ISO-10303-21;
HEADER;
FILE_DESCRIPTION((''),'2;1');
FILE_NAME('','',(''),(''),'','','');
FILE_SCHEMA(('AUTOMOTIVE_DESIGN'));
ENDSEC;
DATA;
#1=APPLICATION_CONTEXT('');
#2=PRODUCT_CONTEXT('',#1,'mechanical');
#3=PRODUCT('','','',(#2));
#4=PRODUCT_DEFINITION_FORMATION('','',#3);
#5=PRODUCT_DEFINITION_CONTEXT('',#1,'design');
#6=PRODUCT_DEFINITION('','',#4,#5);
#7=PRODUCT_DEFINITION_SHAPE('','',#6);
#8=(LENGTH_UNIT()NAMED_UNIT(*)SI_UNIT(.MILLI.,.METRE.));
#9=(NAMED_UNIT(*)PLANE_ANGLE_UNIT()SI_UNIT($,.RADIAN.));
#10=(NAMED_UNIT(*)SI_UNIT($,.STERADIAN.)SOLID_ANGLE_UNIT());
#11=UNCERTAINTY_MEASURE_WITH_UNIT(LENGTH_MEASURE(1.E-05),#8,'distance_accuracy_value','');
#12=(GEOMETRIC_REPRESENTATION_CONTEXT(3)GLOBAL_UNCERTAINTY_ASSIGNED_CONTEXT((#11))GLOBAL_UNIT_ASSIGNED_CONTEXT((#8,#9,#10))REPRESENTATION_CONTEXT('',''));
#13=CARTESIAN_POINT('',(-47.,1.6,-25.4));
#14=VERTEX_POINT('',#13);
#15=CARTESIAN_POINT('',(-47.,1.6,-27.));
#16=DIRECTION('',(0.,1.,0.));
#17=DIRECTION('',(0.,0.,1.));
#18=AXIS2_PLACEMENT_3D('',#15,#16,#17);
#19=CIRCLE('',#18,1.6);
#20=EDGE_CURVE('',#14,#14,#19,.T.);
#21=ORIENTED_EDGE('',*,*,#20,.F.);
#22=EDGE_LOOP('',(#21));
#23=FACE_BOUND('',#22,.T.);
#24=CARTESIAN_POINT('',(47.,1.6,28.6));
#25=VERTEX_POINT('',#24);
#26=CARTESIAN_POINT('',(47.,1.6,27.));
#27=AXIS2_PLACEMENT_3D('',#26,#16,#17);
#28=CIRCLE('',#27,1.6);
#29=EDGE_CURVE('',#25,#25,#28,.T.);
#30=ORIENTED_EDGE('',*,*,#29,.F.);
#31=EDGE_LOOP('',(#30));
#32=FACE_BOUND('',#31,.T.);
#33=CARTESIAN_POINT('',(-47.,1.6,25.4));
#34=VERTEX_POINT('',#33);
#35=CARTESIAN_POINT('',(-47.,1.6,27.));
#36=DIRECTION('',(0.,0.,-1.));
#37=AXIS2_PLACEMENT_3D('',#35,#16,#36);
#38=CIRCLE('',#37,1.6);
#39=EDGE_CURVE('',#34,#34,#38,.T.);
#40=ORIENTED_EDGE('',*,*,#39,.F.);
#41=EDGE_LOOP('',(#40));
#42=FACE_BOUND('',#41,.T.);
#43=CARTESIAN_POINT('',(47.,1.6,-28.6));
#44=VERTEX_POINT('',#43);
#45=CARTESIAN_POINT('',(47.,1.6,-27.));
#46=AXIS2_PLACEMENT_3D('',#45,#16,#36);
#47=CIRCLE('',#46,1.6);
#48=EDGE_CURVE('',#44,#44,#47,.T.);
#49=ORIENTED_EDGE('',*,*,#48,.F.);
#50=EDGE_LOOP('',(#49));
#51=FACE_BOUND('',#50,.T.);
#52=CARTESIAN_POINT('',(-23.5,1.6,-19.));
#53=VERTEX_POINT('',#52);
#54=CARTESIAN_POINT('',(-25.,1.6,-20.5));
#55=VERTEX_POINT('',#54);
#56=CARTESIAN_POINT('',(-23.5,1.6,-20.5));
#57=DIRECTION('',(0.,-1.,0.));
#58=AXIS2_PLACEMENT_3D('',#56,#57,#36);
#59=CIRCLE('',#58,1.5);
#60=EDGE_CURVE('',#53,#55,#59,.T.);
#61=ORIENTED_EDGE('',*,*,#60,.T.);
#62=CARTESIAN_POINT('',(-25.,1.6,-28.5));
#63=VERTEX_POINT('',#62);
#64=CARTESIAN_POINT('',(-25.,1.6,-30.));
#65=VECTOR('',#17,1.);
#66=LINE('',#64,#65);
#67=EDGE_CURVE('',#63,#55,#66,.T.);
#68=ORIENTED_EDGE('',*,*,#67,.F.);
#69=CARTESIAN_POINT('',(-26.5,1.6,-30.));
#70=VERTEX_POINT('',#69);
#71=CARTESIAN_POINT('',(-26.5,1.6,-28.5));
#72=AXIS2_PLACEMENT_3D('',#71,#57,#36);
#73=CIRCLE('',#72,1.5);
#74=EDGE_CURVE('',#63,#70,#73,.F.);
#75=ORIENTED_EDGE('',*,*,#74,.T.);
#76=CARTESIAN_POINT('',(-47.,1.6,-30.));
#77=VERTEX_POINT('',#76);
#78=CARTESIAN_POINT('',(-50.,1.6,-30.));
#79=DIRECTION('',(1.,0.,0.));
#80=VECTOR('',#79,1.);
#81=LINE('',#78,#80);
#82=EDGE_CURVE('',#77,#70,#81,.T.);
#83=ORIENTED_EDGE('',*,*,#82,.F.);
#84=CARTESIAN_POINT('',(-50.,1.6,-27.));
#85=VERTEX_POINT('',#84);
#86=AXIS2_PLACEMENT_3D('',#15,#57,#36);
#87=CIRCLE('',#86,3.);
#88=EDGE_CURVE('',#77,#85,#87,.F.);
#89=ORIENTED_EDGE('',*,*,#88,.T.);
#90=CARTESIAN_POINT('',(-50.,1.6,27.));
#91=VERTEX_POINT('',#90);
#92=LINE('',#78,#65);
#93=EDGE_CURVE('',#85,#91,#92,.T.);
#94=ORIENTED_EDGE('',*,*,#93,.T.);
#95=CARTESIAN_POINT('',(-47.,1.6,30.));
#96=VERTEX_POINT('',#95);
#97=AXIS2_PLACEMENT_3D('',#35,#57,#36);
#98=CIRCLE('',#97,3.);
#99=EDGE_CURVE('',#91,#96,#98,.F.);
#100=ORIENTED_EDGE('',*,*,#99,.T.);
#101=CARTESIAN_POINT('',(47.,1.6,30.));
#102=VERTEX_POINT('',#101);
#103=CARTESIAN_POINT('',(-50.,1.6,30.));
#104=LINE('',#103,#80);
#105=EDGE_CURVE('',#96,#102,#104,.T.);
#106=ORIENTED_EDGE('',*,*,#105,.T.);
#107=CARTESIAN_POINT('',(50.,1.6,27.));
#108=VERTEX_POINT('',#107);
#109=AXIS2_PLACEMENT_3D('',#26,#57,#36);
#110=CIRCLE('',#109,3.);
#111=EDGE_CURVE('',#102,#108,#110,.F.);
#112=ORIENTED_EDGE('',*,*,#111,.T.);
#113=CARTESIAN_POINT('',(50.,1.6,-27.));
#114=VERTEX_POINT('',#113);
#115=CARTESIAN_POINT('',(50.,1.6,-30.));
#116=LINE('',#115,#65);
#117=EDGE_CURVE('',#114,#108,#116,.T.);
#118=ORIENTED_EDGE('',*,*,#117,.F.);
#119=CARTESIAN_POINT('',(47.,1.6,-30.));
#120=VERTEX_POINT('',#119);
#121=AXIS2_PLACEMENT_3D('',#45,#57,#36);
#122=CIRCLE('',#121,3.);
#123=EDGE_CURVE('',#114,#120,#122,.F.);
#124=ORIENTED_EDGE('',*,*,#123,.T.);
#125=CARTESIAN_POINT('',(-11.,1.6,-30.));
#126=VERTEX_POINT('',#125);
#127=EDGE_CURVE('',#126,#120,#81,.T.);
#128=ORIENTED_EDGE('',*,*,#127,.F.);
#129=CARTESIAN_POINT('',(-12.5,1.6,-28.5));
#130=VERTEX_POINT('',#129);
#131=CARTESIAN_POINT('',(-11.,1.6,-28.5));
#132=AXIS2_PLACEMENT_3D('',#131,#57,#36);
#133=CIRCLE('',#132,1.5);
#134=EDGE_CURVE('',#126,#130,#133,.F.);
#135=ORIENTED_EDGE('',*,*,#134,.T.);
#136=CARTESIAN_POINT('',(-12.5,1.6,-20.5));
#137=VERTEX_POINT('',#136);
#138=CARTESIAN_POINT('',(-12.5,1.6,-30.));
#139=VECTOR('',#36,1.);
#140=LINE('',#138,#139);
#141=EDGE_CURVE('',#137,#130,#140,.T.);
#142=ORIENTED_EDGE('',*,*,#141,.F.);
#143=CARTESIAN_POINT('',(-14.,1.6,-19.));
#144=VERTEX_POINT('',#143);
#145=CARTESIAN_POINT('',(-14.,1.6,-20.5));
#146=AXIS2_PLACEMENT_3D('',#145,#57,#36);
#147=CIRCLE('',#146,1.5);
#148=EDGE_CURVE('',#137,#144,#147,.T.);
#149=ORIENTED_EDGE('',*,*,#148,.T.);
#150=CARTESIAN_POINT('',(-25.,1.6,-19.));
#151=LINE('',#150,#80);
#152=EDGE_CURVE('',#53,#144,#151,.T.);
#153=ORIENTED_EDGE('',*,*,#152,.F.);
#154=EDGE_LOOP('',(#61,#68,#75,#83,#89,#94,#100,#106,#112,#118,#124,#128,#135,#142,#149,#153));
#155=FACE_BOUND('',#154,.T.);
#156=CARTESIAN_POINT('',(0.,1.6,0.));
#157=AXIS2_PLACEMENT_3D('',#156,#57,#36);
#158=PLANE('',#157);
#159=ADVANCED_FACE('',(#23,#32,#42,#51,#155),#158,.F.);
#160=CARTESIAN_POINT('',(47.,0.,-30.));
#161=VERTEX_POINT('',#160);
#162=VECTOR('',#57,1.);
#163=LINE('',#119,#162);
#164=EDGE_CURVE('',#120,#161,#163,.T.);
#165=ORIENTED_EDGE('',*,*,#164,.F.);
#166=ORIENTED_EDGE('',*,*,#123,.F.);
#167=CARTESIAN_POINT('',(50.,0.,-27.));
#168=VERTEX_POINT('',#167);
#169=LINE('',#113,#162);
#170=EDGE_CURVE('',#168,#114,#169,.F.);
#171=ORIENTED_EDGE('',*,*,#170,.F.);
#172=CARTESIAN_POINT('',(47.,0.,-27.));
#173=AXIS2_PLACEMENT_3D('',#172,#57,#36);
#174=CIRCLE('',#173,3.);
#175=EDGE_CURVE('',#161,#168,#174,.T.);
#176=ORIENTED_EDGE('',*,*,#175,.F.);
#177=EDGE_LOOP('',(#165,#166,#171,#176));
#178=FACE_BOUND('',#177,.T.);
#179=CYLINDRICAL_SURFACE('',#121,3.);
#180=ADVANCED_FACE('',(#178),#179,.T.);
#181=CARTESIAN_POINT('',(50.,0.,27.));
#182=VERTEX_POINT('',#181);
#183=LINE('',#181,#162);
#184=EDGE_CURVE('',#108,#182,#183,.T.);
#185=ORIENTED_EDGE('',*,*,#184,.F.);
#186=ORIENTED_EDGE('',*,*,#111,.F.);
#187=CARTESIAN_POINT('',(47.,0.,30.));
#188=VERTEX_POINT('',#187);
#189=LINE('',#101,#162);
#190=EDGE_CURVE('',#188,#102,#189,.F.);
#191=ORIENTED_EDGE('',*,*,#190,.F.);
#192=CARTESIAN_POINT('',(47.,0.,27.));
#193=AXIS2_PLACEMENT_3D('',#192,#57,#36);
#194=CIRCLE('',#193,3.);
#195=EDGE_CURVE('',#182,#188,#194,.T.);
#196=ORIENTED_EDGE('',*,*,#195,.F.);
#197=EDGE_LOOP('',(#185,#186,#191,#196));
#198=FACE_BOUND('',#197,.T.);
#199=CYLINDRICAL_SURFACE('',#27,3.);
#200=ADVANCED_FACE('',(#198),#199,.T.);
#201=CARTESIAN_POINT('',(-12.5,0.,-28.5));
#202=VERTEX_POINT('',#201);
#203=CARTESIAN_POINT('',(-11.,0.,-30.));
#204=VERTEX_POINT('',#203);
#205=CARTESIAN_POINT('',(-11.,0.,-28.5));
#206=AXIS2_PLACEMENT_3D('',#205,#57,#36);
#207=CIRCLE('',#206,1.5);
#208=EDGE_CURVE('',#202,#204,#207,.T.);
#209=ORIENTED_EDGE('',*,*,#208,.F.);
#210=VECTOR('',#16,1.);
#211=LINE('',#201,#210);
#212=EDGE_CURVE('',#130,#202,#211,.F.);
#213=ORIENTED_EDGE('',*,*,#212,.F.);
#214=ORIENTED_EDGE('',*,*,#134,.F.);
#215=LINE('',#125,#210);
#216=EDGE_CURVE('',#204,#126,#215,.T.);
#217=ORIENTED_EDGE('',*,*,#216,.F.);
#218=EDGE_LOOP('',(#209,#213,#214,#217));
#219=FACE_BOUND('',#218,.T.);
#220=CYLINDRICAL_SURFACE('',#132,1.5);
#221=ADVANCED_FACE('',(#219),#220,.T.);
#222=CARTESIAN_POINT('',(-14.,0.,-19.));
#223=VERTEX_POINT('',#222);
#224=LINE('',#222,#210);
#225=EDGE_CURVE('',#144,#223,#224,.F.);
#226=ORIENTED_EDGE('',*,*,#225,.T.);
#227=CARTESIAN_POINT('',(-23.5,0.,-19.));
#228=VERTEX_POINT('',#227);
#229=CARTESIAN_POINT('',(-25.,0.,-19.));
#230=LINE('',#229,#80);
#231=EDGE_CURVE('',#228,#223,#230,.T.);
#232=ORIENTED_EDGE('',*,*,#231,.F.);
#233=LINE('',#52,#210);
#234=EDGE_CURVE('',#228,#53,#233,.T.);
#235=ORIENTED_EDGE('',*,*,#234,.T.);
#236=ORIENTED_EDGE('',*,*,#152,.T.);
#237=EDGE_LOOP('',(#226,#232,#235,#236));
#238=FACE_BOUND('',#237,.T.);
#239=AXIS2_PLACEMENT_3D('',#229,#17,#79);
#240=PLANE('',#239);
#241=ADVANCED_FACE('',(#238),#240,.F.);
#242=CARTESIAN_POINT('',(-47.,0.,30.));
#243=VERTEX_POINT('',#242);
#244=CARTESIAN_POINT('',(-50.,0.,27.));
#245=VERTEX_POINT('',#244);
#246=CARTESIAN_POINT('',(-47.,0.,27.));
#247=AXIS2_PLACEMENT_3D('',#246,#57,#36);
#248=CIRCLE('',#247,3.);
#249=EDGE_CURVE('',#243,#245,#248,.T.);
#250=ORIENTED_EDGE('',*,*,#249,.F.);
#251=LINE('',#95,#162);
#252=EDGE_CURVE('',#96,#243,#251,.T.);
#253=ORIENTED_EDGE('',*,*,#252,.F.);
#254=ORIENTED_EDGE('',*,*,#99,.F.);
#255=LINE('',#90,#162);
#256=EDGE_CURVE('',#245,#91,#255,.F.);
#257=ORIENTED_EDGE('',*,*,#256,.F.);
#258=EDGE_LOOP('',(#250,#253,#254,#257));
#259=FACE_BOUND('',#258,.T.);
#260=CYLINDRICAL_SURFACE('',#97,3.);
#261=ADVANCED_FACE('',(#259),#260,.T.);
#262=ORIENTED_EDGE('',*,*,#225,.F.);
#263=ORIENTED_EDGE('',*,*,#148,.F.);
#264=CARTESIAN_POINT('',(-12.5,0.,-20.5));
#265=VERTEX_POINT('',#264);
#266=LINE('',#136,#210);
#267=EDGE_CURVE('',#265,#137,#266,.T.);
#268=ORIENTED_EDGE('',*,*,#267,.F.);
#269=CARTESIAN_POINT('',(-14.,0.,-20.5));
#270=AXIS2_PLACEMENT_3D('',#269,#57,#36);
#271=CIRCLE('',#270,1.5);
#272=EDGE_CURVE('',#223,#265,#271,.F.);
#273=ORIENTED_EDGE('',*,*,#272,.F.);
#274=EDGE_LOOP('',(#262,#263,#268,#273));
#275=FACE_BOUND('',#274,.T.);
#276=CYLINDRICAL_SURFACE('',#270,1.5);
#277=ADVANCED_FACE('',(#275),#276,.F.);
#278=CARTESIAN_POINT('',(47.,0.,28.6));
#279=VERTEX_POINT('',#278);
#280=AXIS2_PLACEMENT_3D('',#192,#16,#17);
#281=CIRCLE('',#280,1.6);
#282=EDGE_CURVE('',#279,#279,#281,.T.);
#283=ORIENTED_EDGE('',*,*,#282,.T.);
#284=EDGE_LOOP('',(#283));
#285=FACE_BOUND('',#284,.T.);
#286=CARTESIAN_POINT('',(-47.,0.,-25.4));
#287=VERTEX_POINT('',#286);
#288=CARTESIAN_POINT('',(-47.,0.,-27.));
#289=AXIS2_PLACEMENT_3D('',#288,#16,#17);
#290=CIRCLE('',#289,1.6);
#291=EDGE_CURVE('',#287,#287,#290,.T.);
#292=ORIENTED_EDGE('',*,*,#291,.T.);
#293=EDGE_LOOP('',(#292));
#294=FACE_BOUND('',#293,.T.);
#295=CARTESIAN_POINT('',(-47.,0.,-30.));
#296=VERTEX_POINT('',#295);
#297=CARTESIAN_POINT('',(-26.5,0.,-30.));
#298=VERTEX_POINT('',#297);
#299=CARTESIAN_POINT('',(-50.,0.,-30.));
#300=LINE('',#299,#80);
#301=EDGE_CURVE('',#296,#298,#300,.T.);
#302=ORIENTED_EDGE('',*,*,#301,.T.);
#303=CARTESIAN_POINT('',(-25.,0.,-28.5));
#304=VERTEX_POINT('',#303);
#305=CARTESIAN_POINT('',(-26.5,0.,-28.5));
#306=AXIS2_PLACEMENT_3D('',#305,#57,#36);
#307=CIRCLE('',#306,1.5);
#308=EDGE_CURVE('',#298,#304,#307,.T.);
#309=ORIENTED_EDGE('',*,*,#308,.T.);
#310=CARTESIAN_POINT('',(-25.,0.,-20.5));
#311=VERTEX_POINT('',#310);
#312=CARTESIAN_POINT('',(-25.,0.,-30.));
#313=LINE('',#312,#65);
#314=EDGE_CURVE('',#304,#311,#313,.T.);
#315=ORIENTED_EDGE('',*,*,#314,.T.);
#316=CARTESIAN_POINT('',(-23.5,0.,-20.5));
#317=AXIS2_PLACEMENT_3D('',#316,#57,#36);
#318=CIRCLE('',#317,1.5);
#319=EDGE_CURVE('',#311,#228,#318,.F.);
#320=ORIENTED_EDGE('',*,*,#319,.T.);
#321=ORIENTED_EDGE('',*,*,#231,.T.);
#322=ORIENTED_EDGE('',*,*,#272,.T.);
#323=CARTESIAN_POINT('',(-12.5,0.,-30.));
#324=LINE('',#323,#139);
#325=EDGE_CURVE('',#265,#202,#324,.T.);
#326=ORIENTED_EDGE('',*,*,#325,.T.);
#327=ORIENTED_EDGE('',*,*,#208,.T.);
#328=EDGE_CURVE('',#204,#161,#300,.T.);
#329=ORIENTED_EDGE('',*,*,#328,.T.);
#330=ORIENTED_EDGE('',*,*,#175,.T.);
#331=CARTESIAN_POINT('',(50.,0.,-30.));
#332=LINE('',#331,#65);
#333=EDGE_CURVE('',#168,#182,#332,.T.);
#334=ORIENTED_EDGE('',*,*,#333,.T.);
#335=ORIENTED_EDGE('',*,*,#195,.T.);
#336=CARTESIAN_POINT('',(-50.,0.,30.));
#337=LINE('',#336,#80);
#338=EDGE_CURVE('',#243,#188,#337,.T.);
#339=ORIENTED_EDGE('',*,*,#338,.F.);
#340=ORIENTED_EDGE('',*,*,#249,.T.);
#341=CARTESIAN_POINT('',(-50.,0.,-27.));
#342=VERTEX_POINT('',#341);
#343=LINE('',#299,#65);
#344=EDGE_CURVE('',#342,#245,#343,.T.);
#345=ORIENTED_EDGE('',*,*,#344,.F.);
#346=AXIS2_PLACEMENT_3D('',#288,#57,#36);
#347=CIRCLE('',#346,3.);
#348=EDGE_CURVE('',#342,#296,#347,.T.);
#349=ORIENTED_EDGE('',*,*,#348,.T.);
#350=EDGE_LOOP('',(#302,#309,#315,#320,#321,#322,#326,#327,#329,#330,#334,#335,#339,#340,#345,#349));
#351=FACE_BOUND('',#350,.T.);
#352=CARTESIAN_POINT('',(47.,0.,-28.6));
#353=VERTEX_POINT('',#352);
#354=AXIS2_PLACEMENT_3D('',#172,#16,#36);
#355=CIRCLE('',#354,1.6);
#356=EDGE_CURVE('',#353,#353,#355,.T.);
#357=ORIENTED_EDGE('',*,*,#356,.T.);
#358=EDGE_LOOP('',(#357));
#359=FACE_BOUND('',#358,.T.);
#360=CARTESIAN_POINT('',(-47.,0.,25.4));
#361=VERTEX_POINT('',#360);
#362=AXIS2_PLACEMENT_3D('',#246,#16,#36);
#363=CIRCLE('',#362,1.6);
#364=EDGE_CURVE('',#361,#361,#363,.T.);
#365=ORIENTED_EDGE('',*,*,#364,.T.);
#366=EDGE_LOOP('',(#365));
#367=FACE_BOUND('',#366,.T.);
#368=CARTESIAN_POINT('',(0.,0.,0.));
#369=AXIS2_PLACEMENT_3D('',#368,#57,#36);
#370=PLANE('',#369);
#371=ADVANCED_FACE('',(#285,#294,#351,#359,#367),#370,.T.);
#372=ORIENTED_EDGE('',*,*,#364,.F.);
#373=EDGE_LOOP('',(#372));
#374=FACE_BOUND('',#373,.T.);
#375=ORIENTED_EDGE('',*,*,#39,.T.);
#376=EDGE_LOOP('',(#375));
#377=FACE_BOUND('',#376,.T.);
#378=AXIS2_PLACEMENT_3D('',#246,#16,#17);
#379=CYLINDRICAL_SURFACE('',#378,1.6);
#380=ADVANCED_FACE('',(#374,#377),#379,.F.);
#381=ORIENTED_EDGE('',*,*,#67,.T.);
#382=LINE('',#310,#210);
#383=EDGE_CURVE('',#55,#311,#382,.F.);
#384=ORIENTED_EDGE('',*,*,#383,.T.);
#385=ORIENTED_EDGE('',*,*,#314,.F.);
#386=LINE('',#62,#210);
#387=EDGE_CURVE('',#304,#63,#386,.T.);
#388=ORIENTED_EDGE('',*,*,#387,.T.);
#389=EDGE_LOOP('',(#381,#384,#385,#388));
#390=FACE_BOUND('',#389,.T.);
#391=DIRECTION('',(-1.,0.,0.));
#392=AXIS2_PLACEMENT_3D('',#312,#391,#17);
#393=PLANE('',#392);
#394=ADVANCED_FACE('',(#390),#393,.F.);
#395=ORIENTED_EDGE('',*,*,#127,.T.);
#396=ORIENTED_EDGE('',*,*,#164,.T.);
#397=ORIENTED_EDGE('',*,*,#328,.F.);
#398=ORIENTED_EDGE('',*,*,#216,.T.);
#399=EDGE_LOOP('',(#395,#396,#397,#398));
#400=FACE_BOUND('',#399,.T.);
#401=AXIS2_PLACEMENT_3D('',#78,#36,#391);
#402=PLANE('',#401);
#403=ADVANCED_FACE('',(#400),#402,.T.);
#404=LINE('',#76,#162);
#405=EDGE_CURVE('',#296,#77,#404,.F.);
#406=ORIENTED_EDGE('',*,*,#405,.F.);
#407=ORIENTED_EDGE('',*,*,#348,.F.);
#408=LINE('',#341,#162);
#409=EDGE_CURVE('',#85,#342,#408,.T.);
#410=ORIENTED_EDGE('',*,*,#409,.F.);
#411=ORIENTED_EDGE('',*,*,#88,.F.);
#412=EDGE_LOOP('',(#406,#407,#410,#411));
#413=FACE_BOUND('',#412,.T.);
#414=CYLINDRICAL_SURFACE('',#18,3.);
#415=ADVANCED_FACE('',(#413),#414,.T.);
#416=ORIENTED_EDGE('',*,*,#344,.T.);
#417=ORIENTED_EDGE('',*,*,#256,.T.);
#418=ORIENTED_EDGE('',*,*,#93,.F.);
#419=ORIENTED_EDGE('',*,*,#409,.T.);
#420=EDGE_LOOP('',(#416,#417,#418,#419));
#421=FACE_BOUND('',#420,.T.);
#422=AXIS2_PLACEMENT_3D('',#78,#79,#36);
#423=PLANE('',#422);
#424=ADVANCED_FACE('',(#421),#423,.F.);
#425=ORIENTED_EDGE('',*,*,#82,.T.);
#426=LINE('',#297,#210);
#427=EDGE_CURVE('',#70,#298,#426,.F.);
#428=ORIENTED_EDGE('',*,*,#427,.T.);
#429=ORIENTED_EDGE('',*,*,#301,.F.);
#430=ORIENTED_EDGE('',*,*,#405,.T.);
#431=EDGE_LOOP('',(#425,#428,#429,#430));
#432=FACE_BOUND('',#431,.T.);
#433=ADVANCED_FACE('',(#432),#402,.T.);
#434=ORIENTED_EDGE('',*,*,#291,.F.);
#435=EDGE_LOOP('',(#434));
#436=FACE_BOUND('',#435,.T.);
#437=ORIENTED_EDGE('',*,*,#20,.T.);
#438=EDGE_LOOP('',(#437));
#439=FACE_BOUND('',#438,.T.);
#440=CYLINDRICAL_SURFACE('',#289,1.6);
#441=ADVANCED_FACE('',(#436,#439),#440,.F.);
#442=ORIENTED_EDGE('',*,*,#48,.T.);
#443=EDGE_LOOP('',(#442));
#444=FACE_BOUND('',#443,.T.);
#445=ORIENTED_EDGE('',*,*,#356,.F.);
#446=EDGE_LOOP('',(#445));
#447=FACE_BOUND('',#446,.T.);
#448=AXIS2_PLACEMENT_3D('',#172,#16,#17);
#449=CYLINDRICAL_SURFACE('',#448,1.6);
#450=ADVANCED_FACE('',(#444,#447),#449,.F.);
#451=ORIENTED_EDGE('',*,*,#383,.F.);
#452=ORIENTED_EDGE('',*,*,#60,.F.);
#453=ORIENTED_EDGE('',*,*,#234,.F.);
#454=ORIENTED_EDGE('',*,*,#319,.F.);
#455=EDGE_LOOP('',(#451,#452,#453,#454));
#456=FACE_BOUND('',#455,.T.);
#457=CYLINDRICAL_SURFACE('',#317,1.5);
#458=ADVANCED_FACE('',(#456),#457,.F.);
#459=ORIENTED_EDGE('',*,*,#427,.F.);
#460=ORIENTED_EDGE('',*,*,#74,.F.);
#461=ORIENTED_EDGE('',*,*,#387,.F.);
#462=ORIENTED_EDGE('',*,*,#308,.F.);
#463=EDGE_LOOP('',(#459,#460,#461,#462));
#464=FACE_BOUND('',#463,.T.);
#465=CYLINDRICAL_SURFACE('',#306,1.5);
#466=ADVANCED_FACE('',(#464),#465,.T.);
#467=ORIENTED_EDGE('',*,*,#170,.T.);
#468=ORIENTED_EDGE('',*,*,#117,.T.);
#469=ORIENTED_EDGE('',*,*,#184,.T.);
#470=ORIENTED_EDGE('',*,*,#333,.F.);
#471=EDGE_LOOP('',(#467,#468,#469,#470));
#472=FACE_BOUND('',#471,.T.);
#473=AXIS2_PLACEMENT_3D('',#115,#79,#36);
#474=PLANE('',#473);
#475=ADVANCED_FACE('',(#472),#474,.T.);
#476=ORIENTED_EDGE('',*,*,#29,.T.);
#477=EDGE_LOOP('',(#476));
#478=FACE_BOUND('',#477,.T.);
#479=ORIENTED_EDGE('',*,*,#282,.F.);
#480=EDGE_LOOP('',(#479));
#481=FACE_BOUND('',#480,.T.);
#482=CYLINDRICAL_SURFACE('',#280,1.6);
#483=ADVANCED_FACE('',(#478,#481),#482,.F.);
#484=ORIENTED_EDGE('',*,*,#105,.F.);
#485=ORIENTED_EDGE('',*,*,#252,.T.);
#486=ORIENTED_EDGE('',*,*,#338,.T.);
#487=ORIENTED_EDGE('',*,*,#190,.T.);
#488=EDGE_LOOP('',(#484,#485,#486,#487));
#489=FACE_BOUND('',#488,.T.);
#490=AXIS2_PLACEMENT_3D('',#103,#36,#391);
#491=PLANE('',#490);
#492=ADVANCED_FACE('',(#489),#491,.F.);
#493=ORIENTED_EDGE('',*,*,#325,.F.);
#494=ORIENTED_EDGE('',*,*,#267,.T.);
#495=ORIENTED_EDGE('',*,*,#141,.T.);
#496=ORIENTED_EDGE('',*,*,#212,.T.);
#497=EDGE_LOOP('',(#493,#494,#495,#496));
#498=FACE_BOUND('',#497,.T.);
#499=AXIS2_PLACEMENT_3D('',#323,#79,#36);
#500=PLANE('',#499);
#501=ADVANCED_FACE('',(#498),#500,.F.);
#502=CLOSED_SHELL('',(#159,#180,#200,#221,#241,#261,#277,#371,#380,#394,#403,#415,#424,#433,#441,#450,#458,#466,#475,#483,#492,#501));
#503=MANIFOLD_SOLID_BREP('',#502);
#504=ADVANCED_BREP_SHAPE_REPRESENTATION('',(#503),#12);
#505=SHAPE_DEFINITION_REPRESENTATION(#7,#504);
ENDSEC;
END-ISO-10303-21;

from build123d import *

# Parameters (mm, degrees)
SKETCH_1_W          = 100
SKETCH_1_H          = 60
EXTRUDE_1_DEPTH     = 1.6
SKETCH_2_R          = 1.6
CUT_EXTRUDE_1_DEPTH = 2.6
SKETCH_3_W          = 12.5
SKETCH_3_H          = 11
CUT_EXTRUDE_2_DEPTH = 2.6
FILLET_1_R          = 3
FILLET_2_R          = 1.5


with BuildPart() as part:
    # 草图1 → 凸台-拉伸1 (new body)
    with BuildSketch(Plane(origin=(0, 0, 0), x_dir=(1, 0, 0), z_dir=(0, 1, 0))):
        Rectangle(SKETCH_1_W, SKETCH_1_H)
    extrude(amount=EXTRUDE_1_DEPTH)

    # 草图2 → 切除-拉伸1 (cut, through all)
    with BuildSketch(Plane(origin=(0, 1.6, 0), x_dir=(1, 0, 0), z_dir=(0, 1, 0))):
        with Locations((-47, 27)):
            Circle(SKETCH_2_R)
        with Locations((47, 27)):
            Circle(SKETCH_2_R)
        with Locations((47, -27)):
            Circle(SKETCH_2_R)
        with Locations((-47, -27)):
            Circle(SKETCH_2_R)
    extrude(amount=-CUT_EXTRUDE_1_DEPTH, mode=Mode.SUBTRACT)

    # 草图3 → 切除-拉伸2 (cut, through all)
    with BuildSketch(Plane(origin=(0, 1.6, 0), x_dir=(1, 0, 0), z_dir=(0, 1, 0))):
        with Locations((-18.75, 24.5)):
            Rectangle(SKETCH_3_W, SKETCH_3_H)
    extrude(amount=-CUT_EXTRUDE_2_DEPTH, mode=Mode.SUBTRACT)

    # 圆角1
    fillet_1_edges = [part.edges().sort_by_distance(p)[0] for p in [
        (-50, 0.8, 30),
        (-50, 0.8, -30),
        (50, 0.8, -30),
        (50, 0.8, 30),
    ]]
    fillet(fillet_1_edges, radius=FILLET_1_R)

    # 圆角2
    fillet_2_edges = [part.edges().sort_by_distance(p)[0] for p in [
        (-25, 0.8, -19),
        (-25, 0.8, -30),
        (-12.5, 0.8, -30),
        (-12.5, 0.8, -19),
    ]]
    fillet(fillet_2_edges, radius=FILLET_2_R)


solid = part.part
